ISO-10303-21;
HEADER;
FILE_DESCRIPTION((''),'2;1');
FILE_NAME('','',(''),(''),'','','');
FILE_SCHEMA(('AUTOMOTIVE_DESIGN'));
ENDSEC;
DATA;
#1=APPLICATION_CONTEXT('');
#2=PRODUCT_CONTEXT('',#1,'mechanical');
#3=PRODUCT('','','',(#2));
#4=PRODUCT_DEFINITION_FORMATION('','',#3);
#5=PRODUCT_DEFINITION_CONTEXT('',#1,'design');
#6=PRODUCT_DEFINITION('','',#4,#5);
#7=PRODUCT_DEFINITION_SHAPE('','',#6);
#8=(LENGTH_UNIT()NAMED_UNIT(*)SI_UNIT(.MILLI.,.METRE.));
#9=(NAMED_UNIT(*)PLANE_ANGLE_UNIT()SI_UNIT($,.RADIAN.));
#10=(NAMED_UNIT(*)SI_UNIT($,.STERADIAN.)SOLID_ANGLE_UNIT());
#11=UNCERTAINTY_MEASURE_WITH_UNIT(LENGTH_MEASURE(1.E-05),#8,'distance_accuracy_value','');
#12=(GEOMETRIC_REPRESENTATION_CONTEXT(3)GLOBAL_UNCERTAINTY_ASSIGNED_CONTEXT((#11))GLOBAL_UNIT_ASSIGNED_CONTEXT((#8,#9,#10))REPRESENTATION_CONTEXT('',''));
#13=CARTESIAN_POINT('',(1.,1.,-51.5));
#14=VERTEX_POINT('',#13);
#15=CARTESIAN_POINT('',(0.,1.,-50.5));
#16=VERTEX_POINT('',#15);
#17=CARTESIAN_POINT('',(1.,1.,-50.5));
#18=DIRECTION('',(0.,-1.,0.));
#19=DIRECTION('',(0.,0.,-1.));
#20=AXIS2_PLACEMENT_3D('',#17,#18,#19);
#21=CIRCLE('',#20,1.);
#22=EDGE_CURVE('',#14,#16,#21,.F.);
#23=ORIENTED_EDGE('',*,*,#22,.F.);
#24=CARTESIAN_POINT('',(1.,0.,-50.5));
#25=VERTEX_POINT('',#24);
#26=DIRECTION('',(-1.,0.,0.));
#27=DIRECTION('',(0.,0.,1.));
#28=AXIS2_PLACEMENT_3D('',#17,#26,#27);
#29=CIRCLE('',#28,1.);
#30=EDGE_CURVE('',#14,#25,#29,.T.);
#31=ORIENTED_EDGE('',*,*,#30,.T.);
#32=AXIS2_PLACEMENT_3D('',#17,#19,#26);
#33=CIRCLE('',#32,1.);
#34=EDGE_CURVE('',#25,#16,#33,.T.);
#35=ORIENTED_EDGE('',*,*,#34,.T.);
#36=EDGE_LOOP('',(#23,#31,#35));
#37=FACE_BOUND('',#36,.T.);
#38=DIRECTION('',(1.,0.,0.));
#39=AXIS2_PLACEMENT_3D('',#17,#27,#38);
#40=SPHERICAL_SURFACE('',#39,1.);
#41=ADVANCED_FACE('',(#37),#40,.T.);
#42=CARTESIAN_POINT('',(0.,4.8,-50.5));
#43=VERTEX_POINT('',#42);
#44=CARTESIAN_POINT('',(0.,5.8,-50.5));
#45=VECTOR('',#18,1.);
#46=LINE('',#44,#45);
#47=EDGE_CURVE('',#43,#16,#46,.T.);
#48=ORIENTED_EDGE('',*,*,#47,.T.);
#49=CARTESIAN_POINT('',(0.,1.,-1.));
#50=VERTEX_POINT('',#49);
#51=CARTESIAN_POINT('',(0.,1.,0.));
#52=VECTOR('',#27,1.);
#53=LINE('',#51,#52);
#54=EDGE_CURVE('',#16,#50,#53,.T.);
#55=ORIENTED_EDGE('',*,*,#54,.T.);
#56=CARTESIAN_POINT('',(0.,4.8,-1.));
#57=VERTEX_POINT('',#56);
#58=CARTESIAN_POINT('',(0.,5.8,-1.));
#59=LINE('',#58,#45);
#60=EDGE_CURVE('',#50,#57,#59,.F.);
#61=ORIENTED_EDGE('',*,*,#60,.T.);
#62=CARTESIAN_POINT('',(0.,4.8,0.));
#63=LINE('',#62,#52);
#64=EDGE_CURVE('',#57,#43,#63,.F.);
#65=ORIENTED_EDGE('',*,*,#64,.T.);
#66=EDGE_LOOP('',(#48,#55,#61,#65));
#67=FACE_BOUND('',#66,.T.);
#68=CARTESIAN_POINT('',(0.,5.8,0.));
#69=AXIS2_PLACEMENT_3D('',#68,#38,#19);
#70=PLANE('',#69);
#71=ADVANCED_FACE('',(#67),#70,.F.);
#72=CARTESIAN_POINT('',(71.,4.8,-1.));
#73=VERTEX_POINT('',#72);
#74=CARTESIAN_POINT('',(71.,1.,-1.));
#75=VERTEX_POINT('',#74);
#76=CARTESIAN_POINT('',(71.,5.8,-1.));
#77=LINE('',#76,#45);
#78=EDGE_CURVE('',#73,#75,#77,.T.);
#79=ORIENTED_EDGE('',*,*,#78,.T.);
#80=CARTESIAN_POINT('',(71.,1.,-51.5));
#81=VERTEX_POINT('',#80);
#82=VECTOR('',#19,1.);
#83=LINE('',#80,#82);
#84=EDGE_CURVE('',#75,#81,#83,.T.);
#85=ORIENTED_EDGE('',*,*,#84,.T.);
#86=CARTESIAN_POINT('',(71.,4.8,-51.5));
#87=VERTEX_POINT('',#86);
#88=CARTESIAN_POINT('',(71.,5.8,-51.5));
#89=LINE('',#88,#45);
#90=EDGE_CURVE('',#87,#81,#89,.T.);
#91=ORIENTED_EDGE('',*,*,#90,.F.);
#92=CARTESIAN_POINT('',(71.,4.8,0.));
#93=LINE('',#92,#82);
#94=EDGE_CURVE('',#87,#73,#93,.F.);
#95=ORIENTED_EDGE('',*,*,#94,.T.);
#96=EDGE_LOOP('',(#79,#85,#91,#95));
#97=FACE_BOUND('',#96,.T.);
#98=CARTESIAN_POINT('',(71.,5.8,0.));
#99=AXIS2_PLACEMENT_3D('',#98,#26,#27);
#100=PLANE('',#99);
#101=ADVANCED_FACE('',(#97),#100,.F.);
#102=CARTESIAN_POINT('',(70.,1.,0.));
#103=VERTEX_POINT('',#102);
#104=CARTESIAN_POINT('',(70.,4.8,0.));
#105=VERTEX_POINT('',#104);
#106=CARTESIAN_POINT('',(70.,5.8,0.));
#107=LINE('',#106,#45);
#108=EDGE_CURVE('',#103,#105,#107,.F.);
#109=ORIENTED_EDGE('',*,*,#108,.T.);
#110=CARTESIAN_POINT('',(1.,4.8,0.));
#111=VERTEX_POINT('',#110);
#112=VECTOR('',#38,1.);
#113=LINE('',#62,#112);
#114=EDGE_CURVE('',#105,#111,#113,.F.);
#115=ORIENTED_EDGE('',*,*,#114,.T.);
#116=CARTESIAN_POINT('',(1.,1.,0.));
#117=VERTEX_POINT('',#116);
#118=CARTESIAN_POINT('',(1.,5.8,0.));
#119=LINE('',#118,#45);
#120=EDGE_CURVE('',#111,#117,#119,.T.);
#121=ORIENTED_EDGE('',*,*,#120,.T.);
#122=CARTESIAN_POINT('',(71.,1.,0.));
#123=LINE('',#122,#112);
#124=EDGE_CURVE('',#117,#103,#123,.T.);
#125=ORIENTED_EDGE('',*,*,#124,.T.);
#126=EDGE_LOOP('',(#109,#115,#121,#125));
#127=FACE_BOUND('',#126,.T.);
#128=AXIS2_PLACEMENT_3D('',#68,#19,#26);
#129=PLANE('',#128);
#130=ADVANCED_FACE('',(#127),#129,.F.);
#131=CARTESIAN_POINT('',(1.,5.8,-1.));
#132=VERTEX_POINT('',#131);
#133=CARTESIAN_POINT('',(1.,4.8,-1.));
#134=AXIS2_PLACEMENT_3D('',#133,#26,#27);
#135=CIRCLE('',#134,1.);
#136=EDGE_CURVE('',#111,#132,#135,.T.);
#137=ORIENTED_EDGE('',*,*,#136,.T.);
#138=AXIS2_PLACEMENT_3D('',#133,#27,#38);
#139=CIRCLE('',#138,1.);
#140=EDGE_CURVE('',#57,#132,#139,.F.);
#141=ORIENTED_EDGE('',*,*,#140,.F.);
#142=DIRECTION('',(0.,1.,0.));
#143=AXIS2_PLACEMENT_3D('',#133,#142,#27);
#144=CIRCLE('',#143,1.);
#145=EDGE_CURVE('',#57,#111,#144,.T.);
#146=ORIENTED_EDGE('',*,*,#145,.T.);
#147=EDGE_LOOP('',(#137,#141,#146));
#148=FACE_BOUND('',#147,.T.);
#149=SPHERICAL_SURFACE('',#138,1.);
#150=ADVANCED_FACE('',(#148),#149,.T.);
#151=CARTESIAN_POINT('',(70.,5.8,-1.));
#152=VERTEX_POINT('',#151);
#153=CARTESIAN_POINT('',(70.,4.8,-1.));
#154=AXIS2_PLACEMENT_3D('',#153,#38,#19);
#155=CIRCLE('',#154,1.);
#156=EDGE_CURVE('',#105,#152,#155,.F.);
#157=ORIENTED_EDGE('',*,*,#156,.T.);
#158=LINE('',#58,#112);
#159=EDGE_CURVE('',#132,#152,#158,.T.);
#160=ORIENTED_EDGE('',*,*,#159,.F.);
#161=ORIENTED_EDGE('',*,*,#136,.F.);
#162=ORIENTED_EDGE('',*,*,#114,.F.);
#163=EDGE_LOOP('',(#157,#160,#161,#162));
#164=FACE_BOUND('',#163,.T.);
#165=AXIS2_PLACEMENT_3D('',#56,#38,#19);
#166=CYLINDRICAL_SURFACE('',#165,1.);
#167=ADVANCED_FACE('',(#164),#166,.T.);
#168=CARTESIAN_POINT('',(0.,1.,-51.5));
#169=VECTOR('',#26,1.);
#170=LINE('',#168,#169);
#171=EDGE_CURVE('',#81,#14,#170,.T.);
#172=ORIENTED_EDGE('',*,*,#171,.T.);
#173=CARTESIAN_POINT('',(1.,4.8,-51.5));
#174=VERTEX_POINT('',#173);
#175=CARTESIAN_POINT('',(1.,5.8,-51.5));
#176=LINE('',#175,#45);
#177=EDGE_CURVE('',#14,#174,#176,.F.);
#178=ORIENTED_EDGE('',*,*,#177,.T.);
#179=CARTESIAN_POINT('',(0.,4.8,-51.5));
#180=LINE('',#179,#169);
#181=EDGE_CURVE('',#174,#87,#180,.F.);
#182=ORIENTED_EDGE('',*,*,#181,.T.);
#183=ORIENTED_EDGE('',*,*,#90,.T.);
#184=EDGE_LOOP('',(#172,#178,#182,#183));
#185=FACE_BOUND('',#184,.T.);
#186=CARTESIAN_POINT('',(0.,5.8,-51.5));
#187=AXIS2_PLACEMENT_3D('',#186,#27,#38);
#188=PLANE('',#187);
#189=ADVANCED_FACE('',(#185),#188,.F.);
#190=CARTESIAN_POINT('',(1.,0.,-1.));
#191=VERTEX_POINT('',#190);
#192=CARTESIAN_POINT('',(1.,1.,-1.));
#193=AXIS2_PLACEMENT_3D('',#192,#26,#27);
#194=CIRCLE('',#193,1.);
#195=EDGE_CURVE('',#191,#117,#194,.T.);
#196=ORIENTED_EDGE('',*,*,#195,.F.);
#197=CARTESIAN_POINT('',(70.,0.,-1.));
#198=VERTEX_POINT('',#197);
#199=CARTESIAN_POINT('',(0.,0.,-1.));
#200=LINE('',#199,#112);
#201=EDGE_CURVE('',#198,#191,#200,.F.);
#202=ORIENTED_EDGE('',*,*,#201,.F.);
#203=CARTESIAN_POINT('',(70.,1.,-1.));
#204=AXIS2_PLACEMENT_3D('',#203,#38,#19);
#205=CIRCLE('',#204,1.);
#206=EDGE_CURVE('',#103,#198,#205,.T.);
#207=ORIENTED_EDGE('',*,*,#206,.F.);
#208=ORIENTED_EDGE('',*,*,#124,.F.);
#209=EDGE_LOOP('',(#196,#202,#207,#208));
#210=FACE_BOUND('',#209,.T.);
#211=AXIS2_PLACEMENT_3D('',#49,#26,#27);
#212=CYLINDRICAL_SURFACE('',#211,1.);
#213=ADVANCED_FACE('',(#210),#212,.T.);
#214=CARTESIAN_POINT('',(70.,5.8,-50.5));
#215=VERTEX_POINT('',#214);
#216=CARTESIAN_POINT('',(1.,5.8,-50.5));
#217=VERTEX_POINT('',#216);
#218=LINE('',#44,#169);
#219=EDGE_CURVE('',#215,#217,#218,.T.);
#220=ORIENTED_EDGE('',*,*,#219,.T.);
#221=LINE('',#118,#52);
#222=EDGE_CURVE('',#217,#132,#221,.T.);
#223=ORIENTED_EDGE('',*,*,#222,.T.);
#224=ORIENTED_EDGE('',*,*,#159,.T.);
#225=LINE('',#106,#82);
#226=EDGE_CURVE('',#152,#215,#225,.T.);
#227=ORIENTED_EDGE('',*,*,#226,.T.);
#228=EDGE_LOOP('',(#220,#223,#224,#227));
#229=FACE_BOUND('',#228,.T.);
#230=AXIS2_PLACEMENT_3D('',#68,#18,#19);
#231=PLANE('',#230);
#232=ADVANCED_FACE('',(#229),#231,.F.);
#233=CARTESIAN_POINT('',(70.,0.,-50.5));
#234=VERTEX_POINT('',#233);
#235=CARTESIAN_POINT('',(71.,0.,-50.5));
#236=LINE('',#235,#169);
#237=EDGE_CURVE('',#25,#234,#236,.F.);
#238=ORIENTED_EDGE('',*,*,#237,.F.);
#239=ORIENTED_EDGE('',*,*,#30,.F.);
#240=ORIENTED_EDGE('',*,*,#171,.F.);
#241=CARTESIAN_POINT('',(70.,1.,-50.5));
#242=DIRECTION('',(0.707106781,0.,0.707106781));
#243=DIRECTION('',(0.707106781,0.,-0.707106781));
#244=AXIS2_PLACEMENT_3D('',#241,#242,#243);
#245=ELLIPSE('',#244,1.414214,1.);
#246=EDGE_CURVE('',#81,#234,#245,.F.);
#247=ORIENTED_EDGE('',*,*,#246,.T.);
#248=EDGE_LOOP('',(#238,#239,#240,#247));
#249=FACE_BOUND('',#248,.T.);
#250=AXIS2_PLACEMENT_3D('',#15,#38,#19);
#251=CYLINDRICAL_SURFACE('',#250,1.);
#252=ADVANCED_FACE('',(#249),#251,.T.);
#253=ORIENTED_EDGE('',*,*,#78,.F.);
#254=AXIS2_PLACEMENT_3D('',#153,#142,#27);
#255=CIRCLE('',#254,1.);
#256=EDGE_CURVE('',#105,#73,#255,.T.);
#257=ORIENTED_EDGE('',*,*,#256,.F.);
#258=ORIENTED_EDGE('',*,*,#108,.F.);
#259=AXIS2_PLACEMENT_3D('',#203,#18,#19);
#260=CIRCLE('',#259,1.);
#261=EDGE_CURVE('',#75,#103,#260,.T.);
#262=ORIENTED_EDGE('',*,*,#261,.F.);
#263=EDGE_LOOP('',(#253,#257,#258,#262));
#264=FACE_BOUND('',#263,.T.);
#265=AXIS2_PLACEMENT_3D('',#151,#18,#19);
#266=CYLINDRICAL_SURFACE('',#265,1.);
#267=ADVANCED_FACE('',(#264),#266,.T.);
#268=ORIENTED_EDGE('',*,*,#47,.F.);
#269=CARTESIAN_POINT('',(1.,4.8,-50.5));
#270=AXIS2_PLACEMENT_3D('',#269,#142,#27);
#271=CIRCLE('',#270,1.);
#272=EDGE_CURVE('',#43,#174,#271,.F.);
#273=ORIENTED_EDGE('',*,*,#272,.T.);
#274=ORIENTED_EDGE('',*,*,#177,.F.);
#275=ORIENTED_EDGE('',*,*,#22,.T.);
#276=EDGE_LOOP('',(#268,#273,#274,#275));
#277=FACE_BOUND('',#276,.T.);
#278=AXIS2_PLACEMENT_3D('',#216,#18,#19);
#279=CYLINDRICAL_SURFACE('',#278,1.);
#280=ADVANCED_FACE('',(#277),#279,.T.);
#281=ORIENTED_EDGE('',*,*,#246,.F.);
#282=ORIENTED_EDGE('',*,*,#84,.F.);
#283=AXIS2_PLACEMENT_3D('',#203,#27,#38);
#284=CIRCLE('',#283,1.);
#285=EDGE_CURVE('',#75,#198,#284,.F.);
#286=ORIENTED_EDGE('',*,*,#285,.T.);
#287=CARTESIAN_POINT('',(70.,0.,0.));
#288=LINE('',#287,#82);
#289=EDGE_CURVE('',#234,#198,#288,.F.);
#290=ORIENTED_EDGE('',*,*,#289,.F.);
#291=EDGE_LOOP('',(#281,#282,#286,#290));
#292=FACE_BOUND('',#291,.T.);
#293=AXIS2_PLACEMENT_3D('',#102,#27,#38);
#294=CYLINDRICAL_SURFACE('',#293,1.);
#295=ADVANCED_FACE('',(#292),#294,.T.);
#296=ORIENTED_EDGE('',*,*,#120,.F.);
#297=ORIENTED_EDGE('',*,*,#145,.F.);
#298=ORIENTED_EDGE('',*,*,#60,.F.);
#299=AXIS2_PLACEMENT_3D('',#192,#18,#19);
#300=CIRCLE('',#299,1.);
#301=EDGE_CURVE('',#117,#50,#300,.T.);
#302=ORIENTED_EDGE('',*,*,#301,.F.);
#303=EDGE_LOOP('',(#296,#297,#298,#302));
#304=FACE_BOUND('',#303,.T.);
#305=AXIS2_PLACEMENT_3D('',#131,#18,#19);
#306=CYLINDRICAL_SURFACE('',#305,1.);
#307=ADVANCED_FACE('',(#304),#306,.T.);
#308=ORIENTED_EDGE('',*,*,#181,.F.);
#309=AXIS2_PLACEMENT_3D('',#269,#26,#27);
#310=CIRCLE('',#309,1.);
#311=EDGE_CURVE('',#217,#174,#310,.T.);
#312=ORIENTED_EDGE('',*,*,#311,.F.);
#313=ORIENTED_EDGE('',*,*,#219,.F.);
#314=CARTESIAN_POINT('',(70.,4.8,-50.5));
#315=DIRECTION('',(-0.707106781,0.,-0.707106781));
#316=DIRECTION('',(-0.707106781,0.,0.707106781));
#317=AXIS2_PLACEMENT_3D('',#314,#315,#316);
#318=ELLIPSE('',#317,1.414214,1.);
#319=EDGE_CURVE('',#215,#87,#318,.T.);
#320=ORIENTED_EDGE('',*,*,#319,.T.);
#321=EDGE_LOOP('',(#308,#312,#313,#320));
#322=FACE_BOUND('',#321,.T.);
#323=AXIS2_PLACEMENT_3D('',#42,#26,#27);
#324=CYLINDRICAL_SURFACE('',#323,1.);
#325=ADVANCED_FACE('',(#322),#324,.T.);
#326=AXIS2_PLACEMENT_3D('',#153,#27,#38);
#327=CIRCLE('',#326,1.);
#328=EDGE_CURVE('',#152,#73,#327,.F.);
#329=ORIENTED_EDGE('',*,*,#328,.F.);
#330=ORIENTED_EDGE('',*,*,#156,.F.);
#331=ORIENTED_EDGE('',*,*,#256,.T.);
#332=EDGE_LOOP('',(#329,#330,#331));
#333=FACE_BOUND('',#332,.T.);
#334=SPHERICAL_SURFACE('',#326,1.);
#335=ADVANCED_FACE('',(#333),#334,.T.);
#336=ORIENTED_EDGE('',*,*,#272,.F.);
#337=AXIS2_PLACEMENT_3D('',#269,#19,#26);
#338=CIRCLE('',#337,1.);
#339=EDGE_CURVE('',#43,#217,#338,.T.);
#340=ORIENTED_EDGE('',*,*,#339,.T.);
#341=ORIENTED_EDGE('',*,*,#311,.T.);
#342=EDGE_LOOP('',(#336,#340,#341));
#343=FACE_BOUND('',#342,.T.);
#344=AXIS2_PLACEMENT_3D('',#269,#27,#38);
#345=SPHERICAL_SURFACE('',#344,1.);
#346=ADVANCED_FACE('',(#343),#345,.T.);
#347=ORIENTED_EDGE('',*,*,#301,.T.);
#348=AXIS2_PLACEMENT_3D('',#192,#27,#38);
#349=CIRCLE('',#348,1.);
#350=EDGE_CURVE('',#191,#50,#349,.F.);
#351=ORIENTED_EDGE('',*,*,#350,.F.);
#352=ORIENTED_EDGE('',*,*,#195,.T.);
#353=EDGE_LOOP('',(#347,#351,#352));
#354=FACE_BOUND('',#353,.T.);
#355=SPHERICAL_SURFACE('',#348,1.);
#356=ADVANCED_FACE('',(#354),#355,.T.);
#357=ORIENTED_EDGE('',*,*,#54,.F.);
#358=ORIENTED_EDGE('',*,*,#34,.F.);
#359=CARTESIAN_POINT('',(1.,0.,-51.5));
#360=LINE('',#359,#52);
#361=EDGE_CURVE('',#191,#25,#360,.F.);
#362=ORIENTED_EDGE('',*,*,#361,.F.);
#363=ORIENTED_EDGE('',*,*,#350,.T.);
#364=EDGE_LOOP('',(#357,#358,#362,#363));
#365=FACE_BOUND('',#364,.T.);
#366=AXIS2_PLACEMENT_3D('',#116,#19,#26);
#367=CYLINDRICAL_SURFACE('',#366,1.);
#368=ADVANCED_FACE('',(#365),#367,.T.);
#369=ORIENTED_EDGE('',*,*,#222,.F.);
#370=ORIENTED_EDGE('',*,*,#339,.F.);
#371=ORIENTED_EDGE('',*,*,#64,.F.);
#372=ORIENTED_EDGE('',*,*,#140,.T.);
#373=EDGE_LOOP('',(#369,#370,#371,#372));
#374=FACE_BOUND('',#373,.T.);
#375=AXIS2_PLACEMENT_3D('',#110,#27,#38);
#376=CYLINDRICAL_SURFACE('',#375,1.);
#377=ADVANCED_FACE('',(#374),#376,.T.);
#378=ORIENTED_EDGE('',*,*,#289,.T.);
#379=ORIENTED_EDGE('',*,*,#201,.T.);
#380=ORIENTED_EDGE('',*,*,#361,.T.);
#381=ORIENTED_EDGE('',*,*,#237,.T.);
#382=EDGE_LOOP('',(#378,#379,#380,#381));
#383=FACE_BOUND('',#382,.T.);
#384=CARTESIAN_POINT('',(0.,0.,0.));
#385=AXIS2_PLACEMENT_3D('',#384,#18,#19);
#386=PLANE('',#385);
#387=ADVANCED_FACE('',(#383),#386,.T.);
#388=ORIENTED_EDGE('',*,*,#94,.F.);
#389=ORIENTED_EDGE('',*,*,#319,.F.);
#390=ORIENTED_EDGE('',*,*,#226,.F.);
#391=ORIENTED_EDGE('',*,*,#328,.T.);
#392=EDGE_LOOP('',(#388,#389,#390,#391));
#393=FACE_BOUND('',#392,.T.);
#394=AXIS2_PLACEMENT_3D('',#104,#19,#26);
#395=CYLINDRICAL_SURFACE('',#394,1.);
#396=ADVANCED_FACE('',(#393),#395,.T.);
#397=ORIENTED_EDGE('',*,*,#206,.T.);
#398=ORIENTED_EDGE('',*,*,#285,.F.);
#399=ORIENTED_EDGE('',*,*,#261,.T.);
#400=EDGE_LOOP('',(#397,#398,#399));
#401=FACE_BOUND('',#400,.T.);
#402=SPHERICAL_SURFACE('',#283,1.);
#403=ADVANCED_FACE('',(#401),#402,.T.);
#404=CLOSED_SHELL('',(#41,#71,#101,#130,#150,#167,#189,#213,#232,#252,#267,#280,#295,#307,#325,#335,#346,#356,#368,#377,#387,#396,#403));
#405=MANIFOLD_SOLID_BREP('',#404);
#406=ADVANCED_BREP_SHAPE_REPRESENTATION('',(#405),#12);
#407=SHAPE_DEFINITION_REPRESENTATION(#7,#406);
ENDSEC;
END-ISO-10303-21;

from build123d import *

# Parameters (mm, degrees)
SKETCH1_W           = 71
SKETCH1_H           = 51.5
BOSS_EXTRUDE1_DEPTH = 5.8
FILLET1_R           = 1


with BuildPart() as part:
    # Sketch1 → Boss-Extrude1 (new body)
    with BuildSketch(Plane(origin=(0, 0, 0), x_dir=(1, 0, 0), z_dir=(0, 1, 0))):
        with Locations((35.5, 25.75)):
            Rectangle(SKETCH1_W, SKETCH1_H)
    extrude(amount=BOSS_EXTRUDE1_DEPTH)

    # Fillet1
    fillet1_edges = [part.edges().sort_by_distance(p)[0] for p in [
        (71, 5.8, -25.75),
        (35.5, 5.8, -51.5),
        (0, 5.8, -25.75),
        (35.5, 0, -51.5),
        (71, 0, -25.75),
        (35.5, 0, 0),
        (0, 0, -25.75),
        (35.5, 5.8, 0),
        (0, 2.9, -51.5),
        (71, 2.9, 0),
        (0, 2.9, 0),
    ]]
    fillet(fillet1_edges, radius=FILLET1_R)


solid = part.part
